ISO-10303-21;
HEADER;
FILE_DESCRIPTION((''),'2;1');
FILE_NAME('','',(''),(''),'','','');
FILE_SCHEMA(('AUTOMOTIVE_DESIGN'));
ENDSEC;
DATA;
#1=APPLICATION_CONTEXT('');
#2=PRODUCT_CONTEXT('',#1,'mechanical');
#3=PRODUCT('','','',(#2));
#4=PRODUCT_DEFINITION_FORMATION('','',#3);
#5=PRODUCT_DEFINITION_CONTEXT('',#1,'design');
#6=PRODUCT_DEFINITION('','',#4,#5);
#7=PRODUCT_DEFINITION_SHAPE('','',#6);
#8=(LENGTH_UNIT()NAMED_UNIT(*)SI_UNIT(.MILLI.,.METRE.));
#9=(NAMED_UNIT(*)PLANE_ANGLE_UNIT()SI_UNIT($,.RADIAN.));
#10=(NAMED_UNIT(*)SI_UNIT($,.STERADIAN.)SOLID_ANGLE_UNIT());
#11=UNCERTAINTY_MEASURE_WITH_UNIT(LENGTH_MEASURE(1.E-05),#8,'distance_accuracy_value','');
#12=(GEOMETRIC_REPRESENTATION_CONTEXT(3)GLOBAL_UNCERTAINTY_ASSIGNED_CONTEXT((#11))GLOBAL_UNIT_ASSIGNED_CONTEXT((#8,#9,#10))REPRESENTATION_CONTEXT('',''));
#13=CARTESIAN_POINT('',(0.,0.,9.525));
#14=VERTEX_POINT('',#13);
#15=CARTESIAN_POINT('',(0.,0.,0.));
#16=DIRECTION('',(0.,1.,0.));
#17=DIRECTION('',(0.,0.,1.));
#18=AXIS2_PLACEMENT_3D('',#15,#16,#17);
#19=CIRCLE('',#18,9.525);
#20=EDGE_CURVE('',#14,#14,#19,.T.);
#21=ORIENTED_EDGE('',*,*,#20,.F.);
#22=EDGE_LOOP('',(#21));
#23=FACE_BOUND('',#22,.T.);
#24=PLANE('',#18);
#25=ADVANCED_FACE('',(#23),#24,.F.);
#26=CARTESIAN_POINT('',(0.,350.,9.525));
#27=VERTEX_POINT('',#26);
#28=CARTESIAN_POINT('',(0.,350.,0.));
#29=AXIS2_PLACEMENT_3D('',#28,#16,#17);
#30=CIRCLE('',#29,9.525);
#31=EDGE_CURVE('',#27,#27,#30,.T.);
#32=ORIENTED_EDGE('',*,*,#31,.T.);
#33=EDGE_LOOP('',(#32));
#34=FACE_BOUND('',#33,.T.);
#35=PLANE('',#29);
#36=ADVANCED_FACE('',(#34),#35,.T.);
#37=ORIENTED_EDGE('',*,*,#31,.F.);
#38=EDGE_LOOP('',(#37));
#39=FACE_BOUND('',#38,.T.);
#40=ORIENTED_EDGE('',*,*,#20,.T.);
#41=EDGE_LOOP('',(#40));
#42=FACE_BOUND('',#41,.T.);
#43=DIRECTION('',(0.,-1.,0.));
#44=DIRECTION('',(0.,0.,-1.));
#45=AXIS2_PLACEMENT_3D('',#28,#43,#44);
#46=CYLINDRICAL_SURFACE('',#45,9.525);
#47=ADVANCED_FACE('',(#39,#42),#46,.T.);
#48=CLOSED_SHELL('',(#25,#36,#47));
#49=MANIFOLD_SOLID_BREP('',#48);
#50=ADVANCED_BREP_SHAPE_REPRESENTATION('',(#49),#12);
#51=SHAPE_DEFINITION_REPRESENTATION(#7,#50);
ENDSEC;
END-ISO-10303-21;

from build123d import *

# Parameters (mm, degrees)
ESBO_O1_R                = 9.525
RESSALTO_EXTRUS_O1_DEPTH = 350


with BuildPart() as part:
    # Esboço1 → Ressalto-extrusão1 (new body)
    with BuildSketch(Plane(origin=(0, 0, 0), x_dir=(1, 0, 0), z_dir=(0, 1, 0))):
        Circle(ESBO_O1_R)
    extrude(amount=RESSALTO_EXTRUS_O1_DEPTH)


solid = part.part
